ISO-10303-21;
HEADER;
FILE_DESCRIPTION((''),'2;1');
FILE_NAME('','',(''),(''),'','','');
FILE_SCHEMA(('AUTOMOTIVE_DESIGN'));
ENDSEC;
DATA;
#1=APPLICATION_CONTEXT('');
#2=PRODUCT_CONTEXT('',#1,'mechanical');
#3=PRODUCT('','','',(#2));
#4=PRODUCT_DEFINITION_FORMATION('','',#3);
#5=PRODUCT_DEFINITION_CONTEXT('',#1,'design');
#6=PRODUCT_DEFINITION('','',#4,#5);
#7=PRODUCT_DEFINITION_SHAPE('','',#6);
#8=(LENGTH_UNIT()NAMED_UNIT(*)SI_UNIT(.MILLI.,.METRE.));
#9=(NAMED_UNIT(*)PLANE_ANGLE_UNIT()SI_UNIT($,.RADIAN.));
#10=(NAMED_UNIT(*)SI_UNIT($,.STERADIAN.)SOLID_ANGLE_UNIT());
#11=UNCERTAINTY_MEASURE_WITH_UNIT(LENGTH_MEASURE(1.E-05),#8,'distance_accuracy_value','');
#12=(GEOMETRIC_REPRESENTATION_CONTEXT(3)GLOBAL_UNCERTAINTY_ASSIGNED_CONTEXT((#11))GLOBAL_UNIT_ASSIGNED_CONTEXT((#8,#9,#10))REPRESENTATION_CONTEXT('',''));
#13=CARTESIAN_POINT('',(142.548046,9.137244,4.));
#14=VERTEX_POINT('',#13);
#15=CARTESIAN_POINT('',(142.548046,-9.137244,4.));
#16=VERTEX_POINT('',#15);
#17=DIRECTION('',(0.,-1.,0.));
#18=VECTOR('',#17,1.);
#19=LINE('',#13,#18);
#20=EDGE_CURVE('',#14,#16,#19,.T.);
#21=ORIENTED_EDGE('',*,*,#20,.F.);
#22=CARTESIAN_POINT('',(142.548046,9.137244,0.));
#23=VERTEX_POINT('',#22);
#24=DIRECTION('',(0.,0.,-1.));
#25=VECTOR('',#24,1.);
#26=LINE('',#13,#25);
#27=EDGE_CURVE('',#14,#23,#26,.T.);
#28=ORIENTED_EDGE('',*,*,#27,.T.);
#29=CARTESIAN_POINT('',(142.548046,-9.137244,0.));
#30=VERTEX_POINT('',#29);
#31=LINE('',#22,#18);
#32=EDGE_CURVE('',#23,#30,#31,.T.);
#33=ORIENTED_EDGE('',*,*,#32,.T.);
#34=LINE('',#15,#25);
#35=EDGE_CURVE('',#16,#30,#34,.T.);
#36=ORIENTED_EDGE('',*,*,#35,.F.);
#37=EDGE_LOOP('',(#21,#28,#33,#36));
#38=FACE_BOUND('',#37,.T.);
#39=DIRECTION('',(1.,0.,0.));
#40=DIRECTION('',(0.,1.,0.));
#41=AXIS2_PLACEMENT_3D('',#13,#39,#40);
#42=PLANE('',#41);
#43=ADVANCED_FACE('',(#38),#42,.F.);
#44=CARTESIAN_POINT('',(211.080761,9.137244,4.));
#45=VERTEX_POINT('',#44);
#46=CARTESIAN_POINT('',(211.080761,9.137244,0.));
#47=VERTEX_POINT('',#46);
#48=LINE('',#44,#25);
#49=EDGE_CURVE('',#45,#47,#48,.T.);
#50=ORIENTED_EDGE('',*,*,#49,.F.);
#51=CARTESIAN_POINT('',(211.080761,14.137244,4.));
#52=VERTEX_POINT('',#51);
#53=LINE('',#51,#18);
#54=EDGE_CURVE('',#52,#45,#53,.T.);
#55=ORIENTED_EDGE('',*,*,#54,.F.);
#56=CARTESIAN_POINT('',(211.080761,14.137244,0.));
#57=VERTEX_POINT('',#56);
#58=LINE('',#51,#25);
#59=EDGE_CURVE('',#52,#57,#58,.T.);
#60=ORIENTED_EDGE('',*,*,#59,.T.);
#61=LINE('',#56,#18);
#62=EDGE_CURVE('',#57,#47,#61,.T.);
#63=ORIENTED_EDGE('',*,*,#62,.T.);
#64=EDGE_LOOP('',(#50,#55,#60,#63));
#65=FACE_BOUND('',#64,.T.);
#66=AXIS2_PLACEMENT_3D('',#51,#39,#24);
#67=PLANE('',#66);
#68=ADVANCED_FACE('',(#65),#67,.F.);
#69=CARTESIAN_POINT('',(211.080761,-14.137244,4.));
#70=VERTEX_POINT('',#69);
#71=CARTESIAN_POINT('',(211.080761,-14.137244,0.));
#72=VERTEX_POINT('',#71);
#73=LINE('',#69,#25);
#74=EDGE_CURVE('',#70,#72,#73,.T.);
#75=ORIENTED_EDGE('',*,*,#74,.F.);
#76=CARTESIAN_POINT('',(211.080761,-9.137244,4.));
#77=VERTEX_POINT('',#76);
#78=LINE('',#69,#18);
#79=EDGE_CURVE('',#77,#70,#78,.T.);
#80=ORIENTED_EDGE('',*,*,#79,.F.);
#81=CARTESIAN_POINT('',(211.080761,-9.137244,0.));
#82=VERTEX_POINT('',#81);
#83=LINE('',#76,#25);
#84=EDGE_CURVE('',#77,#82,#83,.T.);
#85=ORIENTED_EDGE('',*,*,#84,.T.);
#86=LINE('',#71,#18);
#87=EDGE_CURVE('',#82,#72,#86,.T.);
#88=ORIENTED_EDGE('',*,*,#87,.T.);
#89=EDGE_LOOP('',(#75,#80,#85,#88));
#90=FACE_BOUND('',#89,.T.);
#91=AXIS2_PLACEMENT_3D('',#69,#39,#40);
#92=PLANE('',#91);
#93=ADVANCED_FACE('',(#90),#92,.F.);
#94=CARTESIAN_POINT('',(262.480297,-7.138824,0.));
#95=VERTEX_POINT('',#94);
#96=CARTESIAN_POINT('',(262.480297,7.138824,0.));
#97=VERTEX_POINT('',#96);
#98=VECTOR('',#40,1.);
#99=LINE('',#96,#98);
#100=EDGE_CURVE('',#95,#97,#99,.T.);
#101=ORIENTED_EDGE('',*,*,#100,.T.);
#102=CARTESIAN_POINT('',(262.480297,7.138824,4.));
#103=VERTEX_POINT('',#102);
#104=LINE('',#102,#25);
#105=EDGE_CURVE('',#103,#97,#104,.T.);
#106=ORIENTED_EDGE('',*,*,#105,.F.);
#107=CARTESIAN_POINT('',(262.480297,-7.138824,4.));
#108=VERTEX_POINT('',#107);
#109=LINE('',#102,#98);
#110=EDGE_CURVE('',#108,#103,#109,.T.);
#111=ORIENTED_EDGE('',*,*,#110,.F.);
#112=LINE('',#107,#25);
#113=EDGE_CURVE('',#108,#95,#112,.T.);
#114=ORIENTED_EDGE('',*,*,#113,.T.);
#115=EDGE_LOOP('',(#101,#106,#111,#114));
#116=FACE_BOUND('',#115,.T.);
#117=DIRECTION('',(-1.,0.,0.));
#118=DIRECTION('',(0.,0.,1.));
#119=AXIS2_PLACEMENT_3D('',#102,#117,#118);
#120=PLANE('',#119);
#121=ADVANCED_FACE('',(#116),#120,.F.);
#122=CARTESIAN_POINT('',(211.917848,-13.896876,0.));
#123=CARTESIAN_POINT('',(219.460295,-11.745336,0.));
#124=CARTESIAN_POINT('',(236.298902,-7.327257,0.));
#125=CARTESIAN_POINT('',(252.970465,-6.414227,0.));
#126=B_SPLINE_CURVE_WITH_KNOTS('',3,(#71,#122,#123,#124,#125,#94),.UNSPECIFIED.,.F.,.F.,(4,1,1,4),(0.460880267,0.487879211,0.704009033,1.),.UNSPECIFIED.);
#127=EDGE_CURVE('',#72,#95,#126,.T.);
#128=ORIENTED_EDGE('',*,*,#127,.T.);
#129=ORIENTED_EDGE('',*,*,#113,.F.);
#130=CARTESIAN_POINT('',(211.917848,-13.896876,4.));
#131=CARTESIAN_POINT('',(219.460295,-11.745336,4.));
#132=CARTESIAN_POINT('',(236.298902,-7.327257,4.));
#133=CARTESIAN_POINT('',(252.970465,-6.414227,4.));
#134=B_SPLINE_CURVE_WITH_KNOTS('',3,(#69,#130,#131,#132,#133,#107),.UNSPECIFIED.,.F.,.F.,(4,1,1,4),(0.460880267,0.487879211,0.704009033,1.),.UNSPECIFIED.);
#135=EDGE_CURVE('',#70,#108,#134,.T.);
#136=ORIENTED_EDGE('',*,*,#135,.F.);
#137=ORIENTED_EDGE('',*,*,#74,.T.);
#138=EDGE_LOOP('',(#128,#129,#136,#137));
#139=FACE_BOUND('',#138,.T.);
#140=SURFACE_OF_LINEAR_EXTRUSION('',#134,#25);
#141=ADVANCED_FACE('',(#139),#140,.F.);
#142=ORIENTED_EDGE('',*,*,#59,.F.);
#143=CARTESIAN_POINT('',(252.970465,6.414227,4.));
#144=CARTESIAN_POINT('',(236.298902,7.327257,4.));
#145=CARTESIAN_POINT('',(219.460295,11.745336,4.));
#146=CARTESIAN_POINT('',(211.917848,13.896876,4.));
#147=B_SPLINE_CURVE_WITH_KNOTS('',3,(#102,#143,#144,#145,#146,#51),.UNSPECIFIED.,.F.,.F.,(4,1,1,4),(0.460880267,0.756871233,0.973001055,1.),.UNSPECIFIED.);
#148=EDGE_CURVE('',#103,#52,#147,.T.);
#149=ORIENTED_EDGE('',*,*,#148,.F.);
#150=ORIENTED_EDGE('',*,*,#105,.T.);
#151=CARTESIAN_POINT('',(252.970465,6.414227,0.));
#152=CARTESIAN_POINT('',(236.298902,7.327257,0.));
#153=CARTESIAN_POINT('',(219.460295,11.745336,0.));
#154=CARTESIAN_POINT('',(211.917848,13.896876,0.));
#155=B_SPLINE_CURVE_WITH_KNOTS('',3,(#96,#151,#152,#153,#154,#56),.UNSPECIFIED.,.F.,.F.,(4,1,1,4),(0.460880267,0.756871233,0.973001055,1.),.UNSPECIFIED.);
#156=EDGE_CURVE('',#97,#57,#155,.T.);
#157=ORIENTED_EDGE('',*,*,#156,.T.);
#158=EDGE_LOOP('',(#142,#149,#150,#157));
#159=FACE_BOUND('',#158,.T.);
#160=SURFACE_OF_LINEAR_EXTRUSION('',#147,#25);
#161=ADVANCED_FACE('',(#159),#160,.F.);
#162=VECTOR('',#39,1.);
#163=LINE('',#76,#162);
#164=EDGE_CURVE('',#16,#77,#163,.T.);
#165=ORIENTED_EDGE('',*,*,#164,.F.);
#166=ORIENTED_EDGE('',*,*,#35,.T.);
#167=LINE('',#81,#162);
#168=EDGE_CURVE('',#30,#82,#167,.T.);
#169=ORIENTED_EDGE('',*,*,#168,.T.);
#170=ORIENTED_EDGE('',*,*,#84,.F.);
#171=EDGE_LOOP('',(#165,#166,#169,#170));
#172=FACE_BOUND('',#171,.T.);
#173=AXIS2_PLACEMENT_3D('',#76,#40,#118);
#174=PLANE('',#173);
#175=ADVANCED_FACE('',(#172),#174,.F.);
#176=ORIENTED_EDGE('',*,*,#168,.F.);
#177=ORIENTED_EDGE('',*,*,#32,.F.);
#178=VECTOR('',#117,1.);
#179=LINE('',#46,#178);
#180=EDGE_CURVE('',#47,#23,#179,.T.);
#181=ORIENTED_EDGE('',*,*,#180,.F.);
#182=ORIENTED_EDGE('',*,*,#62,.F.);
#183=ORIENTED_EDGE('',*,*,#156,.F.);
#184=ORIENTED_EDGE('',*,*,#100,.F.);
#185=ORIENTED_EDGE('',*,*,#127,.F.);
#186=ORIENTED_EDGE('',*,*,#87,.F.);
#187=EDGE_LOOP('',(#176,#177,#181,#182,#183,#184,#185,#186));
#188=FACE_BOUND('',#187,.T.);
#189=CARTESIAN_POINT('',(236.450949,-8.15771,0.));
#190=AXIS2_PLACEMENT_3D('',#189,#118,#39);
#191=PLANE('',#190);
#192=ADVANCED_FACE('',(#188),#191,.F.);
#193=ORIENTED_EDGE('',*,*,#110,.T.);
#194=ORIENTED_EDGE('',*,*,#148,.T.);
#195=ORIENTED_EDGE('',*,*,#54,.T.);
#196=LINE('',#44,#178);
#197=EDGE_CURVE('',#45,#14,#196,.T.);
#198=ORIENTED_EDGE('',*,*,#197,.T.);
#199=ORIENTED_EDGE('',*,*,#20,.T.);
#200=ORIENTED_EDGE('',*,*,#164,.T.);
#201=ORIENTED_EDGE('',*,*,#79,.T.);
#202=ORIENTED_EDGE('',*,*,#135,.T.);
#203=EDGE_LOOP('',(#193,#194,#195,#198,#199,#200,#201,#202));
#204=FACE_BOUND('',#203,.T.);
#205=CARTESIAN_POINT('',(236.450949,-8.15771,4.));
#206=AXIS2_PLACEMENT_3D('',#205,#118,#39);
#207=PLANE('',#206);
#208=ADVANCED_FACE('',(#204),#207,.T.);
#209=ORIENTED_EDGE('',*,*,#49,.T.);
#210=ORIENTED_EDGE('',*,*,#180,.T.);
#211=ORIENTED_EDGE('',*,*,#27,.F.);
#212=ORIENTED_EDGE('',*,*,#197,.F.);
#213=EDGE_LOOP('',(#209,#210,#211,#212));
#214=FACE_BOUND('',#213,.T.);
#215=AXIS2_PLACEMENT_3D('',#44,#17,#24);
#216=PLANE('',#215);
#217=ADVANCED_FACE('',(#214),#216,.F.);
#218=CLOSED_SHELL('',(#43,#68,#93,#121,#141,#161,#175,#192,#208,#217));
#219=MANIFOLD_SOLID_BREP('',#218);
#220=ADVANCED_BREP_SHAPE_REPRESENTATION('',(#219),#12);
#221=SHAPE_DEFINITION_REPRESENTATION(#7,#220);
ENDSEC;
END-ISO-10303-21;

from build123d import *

# Parameters (mm, degrees)
BOSS_EXTRUDE1_DEPTH = 4


with BuildPart() as part:
    # Sketch2 → Boss-Extrude1 (new body)
    with BuildSketch(Plane.XY):
        with BuildLine():
            Line((262.480297025, 7.13882444), (262.480297025, -7.13882444))
            add(Edge.make_bspline(
                [(211.080761054, -14.13724363), (211.917848379, -13.89687615), (219.460294723, -11.745335639), (236.298901932, -7.327257032), (252.970465499, -6.414227327), (262.480297025, -7.13882444)],
                knots=[0.460880267, 0.460880267, 0.460880267, 0.460880267, 0.487879211, 0.704009033, 1, 1, 1, 1], degree=3))
            Line((211.080761054, -14.13724363), (211.080761054, -9.13724363))
            Line((211.080761054, -9.13724363), (142.548046426, -9.13724363))
            Line((142.548046426, -9.13724363), (142.548046426, 9.13724363))
            Line((142.548046426, 9.13724363), (211.080761054, 9.13724363))
            Line((211.080761054, 9.13724363), (211.080761054, 14.13724363))
            add(Edge.make_bspline(
                [(211.080761054, 14.13724363), (211.917848379, 13.89687615), (219.460294722, 11.745335639), (236.298901932, 7.327257032), (252.970465499, 6.414227327), (262.480297025, 7.13882444)],
                knots=[0.460880267, 0.460880267, 0.460880267, 0.460880267, 0.487879211, 0.704009033, 1, 1, 1, 1], degree=3))
        make_face()
    extrude(amount=BOSS_EXTRUDE1_DEPTH)


solid = part.part
